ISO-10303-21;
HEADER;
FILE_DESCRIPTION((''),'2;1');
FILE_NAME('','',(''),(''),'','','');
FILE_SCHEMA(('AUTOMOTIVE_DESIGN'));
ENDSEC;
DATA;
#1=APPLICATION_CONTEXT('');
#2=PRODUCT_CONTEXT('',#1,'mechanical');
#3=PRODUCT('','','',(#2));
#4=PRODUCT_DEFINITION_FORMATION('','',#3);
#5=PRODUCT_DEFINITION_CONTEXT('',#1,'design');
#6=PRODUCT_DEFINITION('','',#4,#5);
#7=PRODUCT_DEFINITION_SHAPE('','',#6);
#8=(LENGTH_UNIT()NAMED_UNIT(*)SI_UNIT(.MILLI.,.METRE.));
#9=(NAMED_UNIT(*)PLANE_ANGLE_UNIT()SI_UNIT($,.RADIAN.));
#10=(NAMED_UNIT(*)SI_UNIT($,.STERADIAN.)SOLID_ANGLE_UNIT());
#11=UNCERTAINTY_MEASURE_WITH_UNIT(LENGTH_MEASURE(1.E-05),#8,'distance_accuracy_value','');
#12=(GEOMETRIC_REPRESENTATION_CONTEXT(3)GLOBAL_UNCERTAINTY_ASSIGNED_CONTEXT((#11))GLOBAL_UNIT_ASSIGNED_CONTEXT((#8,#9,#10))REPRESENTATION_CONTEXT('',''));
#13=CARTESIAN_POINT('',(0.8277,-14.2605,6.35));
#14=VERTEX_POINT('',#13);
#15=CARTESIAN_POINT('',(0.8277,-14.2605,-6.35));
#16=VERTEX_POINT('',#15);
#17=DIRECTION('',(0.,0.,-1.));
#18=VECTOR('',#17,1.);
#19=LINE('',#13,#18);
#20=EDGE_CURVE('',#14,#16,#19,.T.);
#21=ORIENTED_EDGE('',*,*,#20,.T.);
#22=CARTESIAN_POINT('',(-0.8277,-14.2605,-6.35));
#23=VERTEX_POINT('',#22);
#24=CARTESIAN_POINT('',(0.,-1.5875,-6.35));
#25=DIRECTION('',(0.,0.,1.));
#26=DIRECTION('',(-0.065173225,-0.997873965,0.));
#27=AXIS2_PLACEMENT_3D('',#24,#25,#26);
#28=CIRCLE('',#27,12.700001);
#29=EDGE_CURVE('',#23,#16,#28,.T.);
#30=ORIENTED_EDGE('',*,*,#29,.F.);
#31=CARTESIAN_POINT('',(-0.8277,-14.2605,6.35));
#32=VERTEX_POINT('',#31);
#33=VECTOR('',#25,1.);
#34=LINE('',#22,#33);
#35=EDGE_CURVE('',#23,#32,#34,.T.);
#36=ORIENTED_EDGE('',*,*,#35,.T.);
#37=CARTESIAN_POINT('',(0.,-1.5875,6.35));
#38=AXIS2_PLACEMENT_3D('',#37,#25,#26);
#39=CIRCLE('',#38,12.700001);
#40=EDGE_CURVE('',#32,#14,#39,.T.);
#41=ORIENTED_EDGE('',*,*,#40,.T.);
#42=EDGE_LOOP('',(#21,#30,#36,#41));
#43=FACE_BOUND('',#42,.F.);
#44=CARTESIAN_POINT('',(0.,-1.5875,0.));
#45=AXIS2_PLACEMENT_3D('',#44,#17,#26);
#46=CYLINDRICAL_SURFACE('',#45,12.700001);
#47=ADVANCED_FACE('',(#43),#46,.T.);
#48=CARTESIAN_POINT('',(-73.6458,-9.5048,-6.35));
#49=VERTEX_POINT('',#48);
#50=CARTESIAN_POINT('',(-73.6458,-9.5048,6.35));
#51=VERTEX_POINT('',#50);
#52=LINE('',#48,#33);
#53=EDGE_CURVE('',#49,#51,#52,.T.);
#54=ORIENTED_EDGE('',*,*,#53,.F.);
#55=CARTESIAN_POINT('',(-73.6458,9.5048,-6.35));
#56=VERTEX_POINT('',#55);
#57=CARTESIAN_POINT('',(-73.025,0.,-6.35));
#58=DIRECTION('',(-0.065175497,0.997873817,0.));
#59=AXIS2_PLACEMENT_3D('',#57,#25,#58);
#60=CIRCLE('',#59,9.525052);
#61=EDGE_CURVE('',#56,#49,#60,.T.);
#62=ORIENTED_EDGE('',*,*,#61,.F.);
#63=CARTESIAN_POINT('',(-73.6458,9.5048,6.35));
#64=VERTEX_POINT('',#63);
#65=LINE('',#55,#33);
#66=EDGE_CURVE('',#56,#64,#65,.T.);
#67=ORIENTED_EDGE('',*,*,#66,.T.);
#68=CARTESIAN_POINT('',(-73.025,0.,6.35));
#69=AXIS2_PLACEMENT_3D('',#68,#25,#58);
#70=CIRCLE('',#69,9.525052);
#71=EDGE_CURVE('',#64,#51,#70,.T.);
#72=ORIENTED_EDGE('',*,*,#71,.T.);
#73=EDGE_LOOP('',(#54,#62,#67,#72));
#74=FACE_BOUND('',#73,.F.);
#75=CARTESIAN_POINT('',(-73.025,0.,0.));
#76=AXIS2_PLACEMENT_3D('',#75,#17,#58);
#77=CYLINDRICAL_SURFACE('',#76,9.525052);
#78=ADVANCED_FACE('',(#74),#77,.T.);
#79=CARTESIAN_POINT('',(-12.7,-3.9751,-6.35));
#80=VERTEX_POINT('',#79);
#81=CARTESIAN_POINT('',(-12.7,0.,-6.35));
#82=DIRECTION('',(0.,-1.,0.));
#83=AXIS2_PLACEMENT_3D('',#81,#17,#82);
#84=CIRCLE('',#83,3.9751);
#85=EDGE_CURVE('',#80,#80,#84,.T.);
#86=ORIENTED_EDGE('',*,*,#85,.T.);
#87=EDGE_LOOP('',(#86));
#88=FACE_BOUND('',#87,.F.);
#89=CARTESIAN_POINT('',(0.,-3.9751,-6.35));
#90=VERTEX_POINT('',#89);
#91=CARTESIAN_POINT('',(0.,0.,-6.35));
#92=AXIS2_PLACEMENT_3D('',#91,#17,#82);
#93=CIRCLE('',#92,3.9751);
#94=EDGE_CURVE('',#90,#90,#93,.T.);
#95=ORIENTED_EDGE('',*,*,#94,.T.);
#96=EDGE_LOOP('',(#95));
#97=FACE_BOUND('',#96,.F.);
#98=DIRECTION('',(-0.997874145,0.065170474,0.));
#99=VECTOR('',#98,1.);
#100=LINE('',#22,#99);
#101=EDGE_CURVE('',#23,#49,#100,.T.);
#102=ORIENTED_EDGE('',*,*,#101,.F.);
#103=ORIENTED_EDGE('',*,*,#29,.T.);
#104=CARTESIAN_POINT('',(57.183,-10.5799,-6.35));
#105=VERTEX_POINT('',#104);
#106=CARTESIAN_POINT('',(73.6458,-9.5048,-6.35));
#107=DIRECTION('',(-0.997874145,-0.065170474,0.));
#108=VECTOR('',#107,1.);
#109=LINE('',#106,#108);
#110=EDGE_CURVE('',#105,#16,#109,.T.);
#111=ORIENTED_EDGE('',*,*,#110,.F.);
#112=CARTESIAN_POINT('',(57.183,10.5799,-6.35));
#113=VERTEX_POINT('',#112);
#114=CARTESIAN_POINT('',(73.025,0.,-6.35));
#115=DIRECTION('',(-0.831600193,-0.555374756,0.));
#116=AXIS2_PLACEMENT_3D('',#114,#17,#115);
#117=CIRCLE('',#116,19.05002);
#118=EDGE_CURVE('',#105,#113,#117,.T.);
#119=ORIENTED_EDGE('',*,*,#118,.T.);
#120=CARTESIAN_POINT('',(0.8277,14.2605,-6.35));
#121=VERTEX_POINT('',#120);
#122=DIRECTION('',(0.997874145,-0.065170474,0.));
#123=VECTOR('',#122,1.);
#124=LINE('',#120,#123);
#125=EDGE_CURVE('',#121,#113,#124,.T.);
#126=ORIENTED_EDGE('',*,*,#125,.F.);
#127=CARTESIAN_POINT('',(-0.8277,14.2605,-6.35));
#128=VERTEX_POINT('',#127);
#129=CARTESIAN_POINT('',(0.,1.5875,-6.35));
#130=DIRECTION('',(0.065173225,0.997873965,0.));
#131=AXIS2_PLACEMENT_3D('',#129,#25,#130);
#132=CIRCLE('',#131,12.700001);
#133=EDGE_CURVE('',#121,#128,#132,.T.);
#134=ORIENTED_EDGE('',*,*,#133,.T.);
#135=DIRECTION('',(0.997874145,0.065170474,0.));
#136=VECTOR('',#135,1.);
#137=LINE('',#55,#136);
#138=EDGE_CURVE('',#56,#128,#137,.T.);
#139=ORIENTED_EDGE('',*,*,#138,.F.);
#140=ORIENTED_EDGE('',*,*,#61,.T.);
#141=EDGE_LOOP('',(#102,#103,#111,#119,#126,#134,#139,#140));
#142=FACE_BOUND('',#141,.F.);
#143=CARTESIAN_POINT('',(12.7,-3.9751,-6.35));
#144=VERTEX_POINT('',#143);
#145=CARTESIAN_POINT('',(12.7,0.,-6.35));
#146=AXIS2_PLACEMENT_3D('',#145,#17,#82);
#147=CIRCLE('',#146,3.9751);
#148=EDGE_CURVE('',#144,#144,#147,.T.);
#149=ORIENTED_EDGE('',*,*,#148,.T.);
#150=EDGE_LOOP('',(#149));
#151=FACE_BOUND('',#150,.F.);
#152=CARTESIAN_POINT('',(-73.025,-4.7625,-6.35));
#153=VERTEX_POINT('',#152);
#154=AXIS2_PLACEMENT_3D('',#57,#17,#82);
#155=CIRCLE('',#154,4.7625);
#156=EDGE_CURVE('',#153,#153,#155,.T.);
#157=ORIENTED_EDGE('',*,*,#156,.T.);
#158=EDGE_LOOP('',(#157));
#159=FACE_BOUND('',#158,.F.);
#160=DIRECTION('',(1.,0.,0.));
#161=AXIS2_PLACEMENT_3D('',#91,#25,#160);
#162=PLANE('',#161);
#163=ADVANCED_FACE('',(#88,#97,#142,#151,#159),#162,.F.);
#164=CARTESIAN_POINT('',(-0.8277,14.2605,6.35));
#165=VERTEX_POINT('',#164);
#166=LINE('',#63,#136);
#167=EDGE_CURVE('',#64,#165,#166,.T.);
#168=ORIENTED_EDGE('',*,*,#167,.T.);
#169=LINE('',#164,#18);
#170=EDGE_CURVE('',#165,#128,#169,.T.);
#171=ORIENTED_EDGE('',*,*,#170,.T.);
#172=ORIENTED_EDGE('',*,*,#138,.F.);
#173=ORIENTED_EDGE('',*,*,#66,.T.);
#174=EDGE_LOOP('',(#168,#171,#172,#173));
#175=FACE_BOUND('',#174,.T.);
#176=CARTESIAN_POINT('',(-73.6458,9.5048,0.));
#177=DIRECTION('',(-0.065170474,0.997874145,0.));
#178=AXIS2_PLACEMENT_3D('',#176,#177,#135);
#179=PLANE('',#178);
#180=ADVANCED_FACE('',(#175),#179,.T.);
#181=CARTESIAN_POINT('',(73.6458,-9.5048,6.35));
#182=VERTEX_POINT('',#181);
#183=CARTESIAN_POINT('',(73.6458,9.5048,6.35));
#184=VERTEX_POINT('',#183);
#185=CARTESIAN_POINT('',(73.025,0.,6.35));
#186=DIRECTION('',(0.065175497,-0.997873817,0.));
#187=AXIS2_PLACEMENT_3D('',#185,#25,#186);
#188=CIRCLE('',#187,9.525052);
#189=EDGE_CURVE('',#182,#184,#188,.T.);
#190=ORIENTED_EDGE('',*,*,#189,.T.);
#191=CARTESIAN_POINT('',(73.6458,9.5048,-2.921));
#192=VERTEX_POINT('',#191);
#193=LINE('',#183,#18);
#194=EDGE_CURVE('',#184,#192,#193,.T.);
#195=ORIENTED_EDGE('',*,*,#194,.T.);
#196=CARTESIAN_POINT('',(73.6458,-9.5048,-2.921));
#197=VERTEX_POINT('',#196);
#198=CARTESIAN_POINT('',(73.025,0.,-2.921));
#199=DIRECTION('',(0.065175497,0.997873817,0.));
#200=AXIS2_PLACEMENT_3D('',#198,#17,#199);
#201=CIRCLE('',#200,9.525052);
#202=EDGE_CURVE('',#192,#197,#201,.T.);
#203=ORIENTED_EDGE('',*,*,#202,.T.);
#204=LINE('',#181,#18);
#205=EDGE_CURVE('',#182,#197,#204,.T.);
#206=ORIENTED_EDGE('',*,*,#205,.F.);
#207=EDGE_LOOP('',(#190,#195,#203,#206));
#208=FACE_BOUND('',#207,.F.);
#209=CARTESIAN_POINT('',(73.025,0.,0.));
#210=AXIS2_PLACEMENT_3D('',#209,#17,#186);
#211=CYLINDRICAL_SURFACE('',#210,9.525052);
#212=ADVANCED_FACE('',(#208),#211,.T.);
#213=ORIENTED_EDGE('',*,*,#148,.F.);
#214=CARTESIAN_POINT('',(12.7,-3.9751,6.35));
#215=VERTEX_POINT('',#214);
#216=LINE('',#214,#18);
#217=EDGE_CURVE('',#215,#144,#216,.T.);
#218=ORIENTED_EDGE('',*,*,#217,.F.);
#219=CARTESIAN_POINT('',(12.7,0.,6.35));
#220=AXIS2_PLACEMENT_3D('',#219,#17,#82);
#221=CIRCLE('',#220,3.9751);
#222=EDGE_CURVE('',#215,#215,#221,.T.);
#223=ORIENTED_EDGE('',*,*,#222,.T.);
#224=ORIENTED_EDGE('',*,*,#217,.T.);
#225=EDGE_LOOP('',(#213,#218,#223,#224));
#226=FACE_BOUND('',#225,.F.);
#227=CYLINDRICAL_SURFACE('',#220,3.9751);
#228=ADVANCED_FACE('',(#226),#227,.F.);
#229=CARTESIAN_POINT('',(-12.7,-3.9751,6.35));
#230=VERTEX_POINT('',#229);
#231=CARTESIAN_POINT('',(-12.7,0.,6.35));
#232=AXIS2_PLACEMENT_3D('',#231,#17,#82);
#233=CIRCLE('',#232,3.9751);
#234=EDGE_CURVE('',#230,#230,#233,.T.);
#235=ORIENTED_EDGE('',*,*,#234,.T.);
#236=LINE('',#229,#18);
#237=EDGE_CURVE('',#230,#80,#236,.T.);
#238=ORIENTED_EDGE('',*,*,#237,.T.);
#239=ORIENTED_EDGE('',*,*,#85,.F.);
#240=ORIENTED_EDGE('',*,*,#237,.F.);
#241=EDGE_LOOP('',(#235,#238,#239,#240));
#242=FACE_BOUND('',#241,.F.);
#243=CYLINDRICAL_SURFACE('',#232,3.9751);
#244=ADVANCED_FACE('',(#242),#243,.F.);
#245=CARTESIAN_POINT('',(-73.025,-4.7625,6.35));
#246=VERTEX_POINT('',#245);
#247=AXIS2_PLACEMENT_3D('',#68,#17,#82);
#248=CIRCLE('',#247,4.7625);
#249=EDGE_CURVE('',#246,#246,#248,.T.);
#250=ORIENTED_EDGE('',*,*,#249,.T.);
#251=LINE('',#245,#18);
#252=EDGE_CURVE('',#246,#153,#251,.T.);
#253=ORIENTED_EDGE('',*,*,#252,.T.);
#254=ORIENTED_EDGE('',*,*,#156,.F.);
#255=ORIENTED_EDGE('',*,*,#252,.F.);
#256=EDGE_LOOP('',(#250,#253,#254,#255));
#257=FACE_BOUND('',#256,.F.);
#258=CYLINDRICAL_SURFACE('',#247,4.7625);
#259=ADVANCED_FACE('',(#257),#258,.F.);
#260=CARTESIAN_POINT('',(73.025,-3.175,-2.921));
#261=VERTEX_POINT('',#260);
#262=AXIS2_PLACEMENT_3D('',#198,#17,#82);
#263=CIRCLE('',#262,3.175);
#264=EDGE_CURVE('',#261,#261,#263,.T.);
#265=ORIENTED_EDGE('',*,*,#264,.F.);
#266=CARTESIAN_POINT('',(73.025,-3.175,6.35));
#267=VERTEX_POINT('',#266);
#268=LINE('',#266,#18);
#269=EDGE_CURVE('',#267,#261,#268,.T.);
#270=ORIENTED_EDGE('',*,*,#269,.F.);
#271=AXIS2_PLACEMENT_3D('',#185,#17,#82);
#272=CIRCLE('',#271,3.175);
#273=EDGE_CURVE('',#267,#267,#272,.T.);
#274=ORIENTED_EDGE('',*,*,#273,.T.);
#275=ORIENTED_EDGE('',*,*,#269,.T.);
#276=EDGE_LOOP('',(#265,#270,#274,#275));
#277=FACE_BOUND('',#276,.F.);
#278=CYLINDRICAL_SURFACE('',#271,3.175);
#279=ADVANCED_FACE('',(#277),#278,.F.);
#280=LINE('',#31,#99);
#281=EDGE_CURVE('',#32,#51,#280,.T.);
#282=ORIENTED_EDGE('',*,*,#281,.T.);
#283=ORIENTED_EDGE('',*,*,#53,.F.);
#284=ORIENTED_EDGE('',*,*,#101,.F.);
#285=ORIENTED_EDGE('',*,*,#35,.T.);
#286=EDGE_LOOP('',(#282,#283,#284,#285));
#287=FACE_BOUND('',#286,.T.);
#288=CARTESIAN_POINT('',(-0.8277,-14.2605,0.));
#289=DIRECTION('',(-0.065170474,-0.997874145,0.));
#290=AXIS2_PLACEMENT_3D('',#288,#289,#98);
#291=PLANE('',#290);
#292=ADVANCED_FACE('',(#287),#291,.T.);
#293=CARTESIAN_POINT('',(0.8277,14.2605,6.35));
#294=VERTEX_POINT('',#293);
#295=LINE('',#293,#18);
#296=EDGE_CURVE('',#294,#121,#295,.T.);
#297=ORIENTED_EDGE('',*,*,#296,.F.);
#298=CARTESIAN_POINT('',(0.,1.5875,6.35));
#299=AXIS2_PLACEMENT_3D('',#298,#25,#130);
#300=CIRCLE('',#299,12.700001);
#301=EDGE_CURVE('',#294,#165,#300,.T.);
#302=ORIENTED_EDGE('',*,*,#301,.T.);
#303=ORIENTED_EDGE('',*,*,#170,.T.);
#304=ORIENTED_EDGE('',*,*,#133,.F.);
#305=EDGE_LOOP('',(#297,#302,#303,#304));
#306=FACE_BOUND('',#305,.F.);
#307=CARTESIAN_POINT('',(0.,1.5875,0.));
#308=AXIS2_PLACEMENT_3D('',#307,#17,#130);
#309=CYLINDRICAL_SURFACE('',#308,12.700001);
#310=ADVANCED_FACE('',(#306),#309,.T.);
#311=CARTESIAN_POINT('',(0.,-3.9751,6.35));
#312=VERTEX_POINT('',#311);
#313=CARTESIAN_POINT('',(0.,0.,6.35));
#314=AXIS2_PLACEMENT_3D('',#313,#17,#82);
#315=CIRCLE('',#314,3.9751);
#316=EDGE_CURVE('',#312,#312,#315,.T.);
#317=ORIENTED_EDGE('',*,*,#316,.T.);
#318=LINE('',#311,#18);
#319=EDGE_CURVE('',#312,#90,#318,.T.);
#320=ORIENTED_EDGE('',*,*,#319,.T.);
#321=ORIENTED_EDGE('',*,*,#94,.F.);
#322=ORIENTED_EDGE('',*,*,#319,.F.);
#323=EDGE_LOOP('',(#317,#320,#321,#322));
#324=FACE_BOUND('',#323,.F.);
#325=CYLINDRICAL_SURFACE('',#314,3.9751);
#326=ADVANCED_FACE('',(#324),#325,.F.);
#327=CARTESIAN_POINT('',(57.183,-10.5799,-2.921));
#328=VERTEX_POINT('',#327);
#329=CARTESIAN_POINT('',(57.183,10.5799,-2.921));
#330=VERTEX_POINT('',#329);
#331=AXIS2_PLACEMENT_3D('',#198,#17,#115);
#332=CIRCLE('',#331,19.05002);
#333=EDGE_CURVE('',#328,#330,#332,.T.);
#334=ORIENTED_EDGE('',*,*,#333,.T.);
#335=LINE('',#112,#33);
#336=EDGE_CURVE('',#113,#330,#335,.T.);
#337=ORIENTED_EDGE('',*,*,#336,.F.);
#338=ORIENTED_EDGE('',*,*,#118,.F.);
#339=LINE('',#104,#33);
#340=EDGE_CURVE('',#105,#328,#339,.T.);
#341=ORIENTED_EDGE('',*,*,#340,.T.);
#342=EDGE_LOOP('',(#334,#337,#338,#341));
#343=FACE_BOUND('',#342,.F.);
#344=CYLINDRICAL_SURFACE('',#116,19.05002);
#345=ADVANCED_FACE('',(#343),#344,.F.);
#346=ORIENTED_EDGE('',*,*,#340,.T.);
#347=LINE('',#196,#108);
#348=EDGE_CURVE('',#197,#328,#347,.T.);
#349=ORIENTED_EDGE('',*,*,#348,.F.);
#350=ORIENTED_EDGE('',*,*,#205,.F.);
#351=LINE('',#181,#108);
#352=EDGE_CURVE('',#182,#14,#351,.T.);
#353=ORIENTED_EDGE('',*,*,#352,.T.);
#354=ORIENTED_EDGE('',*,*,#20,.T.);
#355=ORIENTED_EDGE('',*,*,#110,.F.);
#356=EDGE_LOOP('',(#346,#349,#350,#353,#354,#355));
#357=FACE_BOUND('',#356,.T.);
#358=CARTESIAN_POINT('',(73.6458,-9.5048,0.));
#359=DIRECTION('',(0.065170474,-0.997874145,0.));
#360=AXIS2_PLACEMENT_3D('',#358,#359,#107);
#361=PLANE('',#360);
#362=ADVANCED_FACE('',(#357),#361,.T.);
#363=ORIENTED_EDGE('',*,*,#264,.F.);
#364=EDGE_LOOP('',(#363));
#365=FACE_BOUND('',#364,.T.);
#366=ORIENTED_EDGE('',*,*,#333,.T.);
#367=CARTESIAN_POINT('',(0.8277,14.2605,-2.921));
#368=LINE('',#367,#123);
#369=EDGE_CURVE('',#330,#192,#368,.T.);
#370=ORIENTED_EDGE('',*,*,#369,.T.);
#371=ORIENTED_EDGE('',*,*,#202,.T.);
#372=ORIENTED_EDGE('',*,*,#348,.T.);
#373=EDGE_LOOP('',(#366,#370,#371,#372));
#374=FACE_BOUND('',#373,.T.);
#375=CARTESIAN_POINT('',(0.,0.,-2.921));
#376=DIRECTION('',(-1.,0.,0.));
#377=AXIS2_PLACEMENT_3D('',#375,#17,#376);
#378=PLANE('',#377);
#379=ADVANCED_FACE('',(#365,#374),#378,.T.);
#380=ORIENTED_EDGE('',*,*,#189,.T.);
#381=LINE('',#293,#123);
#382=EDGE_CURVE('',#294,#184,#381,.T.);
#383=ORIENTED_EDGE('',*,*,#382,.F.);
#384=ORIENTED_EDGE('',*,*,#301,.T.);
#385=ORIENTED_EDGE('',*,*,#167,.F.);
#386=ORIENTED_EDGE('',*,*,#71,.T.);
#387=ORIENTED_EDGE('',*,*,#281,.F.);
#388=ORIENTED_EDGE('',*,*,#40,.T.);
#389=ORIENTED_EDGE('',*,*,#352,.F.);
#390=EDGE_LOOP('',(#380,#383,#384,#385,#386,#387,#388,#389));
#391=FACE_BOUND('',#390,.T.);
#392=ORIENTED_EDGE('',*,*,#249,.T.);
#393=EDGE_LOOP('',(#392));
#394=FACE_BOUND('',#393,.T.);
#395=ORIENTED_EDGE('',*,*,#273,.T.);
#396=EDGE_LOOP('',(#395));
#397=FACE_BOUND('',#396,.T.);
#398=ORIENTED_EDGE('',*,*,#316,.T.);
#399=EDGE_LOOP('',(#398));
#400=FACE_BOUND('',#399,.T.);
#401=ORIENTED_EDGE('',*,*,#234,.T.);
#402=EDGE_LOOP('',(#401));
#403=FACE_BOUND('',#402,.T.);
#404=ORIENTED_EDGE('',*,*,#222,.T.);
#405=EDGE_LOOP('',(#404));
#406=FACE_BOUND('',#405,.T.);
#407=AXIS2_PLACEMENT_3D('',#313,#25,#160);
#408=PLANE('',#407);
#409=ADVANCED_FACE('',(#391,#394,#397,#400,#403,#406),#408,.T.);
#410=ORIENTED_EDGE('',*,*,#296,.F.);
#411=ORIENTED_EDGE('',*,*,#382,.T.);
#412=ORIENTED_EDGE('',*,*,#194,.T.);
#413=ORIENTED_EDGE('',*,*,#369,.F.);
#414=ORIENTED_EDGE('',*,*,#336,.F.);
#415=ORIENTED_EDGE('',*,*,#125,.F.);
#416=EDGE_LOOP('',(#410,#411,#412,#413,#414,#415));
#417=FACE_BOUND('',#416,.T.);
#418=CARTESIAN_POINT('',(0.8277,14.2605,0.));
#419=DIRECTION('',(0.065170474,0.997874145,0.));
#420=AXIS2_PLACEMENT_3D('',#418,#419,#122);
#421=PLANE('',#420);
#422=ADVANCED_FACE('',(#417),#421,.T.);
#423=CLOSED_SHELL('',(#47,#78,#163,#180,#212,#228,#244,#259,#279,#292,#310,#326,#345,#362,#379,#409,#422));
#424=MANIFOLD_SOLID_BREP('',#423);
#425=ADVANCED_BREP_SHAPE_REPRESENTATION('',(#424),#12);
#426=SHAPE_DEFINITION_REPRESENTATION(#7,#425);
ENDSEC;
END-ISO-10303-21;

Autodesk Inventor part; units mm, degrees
ref_plane "YZ Plane" through (0, 0, 0) normal (1, 0, 0) x (0, 1, 0)
ref_plane "XZ Plane" through (0, 0, 0) normal (0, 1, 0) x (-1, 0, 0)
ref_plane "XY Plane" through (0, 0, 0) normal (0, 0, 1) x (1, 0, 0)
sketch "Sketch2" plane through (0, 0, 0) normal (0, 0, 1) x (1, 0, 0)
  line L0 (-73.6458, 9.5048) -> (-0.8277, 14.2605)
  arc A0 (0.8277, 14.2605) -> (-0.8277, 14.2605) centre (0, 1.5875) ccw
  line L1 (0.8277, 14.2605) -> (73.6458, 9.5048)
  arc A1 (73.6458, -9.5048) -> (73.6458, 9.5048) centre (73.025, 0) ccw
  line L2 (73.6458, -9.5048) -> (0.8277, -14.2605)
  arc A2 (-0.8277, -14.2605) -> (0.8277, -14.2605) centre (0, -1.5875) ccw
  line L3 (-0.8277, -14.2605) -> (-73.6458, -9.5048)
  arc A3 (-73.6458, 9.5048) -> (-73.6458, -9.5048) centre (-73.025, 0) ccw
  line L4 (-73.025, 0) -> (73.025, 0) construction
  line L5 (0, 20.0025) -> (0, -20.0025) construction
  line L6 (0, 1.5875) -> (0, -1.5875) construction
  point P0 (0, 0)
  point P1 (0, 0)
  dimension "d0" = 3.175
  dimension "d1" = 12.7
  dimension "d2" = 9.525
  dimension "d3" = 146.05
extrude "Extrusion1" add sketch "Sketch2" along normal mid plane 12.7
sketch "Sketch3" plane through (0, 0, 6.35) normal (0, 0, 1) x (1, 0, 0)
  line L0 (-12.7, 0) -> (12.7, 0) construction
  point P0 (0, 0)
  point P1 (0, 0)
  point P2 (0, 0)
  dimension "d6" = 25.4
hole "Hole1" at (0, 0, 6.35) at (-12.7, 0, 6.35) at (12.7, 0, 6.35) direction (0, 0, -1) diameter 7.9502 end through all clearance for "F7 - SLIP FIT" size "5/16" standard "CL-DOWEL-IMP"
sketch "Sketch7" plane through (0, 0, 6.35) normal (0, 0, 1) x (1, 0, 0)
  arc A0 (-73.6458, 9.5048) -> (-73.6458, -9.5048) centre (-73.025, 0) ccw construction
  point P0 (0, 0)
hole "Hole4" at (-73.025, 0, 6.35) direction (0, 0, -1) diameter 9.525 end through all clearance for "H7 - STANDARD FIT" size "3/8" standard "CL-DOWEL-IMP"
sketch "Sketch9" plane through (0, 0, -6.35) normal (0, 0, -1) x (-1, 0, 0)
  circle A0 centre (73.025, 0) radius 4.7625 construction
  circle A1 centre (-12.7, 0) radius 3.9751 construction
  circle A2 centre (12.7, 0) radius 3.9751 construction
  circle A3 centre (0, 0) radius 3.9751 construction
  line L0 (-73.6458, -9.5048) -> (-0.8277, -14.2605) projected
  arc A4 (-0.8277, -14.2605) -> (0.8277, -14.2605) centre (0, -1.5875) ccw construction
  line L1 (0.8277, -14.2605) -> (73.6458, -9.5048) construction
  arc A5 (73.6458, -9.5048) -> (73.6458, 9.5048) centre (73.025, 0) ccw construction
  line L2 (73.6458, 9.5048) -> (0.8277, 14.2605) construction
  arc A6 (0.8277, 14.2605) -> (-0.8277, 14.2605) centre (0, 1.5875) ccw construction
  line L3 (-0.8277, 14.2605) -> (-73.6458, 9.5048) projected
  arc A7 (-73.6458, 9.5048) -> (-73.6458, -9.5048) centre (-73.025, 0) ccw projected
  arc A8 (-57.183, -10.5799) -> (-57.183, 10.5799) centre (-73.025, 0) ccw
  dimension "d48" = 19.05
extrude "Extrusion3" cut sketch "Sketch9" against normal blind 3.429
sketch "Sketch8" plane through (0, 0, 6.35) normal (0, 0, 1) x (1, 0, 0)
  arc A0 (73.6458, -9.5048) -> (73.6458, 9.5048) centre (73.025, 0) ccw construction
  point P0 (0, 0)
  point P1 (73.025, 0)
hole "Hole5" at (73.025, 0, 6.35) direction (0, 0, -1) diameter 6.35 end through all clearance for "F7 - SLIP FIT" size "1/4" standard "CL-DOWEL-IMP"
equation "\"d46\" = d0"
properties part number "PLATE,ROCKER,ELEVATOR" material "Aluminum, 7075-T6"
